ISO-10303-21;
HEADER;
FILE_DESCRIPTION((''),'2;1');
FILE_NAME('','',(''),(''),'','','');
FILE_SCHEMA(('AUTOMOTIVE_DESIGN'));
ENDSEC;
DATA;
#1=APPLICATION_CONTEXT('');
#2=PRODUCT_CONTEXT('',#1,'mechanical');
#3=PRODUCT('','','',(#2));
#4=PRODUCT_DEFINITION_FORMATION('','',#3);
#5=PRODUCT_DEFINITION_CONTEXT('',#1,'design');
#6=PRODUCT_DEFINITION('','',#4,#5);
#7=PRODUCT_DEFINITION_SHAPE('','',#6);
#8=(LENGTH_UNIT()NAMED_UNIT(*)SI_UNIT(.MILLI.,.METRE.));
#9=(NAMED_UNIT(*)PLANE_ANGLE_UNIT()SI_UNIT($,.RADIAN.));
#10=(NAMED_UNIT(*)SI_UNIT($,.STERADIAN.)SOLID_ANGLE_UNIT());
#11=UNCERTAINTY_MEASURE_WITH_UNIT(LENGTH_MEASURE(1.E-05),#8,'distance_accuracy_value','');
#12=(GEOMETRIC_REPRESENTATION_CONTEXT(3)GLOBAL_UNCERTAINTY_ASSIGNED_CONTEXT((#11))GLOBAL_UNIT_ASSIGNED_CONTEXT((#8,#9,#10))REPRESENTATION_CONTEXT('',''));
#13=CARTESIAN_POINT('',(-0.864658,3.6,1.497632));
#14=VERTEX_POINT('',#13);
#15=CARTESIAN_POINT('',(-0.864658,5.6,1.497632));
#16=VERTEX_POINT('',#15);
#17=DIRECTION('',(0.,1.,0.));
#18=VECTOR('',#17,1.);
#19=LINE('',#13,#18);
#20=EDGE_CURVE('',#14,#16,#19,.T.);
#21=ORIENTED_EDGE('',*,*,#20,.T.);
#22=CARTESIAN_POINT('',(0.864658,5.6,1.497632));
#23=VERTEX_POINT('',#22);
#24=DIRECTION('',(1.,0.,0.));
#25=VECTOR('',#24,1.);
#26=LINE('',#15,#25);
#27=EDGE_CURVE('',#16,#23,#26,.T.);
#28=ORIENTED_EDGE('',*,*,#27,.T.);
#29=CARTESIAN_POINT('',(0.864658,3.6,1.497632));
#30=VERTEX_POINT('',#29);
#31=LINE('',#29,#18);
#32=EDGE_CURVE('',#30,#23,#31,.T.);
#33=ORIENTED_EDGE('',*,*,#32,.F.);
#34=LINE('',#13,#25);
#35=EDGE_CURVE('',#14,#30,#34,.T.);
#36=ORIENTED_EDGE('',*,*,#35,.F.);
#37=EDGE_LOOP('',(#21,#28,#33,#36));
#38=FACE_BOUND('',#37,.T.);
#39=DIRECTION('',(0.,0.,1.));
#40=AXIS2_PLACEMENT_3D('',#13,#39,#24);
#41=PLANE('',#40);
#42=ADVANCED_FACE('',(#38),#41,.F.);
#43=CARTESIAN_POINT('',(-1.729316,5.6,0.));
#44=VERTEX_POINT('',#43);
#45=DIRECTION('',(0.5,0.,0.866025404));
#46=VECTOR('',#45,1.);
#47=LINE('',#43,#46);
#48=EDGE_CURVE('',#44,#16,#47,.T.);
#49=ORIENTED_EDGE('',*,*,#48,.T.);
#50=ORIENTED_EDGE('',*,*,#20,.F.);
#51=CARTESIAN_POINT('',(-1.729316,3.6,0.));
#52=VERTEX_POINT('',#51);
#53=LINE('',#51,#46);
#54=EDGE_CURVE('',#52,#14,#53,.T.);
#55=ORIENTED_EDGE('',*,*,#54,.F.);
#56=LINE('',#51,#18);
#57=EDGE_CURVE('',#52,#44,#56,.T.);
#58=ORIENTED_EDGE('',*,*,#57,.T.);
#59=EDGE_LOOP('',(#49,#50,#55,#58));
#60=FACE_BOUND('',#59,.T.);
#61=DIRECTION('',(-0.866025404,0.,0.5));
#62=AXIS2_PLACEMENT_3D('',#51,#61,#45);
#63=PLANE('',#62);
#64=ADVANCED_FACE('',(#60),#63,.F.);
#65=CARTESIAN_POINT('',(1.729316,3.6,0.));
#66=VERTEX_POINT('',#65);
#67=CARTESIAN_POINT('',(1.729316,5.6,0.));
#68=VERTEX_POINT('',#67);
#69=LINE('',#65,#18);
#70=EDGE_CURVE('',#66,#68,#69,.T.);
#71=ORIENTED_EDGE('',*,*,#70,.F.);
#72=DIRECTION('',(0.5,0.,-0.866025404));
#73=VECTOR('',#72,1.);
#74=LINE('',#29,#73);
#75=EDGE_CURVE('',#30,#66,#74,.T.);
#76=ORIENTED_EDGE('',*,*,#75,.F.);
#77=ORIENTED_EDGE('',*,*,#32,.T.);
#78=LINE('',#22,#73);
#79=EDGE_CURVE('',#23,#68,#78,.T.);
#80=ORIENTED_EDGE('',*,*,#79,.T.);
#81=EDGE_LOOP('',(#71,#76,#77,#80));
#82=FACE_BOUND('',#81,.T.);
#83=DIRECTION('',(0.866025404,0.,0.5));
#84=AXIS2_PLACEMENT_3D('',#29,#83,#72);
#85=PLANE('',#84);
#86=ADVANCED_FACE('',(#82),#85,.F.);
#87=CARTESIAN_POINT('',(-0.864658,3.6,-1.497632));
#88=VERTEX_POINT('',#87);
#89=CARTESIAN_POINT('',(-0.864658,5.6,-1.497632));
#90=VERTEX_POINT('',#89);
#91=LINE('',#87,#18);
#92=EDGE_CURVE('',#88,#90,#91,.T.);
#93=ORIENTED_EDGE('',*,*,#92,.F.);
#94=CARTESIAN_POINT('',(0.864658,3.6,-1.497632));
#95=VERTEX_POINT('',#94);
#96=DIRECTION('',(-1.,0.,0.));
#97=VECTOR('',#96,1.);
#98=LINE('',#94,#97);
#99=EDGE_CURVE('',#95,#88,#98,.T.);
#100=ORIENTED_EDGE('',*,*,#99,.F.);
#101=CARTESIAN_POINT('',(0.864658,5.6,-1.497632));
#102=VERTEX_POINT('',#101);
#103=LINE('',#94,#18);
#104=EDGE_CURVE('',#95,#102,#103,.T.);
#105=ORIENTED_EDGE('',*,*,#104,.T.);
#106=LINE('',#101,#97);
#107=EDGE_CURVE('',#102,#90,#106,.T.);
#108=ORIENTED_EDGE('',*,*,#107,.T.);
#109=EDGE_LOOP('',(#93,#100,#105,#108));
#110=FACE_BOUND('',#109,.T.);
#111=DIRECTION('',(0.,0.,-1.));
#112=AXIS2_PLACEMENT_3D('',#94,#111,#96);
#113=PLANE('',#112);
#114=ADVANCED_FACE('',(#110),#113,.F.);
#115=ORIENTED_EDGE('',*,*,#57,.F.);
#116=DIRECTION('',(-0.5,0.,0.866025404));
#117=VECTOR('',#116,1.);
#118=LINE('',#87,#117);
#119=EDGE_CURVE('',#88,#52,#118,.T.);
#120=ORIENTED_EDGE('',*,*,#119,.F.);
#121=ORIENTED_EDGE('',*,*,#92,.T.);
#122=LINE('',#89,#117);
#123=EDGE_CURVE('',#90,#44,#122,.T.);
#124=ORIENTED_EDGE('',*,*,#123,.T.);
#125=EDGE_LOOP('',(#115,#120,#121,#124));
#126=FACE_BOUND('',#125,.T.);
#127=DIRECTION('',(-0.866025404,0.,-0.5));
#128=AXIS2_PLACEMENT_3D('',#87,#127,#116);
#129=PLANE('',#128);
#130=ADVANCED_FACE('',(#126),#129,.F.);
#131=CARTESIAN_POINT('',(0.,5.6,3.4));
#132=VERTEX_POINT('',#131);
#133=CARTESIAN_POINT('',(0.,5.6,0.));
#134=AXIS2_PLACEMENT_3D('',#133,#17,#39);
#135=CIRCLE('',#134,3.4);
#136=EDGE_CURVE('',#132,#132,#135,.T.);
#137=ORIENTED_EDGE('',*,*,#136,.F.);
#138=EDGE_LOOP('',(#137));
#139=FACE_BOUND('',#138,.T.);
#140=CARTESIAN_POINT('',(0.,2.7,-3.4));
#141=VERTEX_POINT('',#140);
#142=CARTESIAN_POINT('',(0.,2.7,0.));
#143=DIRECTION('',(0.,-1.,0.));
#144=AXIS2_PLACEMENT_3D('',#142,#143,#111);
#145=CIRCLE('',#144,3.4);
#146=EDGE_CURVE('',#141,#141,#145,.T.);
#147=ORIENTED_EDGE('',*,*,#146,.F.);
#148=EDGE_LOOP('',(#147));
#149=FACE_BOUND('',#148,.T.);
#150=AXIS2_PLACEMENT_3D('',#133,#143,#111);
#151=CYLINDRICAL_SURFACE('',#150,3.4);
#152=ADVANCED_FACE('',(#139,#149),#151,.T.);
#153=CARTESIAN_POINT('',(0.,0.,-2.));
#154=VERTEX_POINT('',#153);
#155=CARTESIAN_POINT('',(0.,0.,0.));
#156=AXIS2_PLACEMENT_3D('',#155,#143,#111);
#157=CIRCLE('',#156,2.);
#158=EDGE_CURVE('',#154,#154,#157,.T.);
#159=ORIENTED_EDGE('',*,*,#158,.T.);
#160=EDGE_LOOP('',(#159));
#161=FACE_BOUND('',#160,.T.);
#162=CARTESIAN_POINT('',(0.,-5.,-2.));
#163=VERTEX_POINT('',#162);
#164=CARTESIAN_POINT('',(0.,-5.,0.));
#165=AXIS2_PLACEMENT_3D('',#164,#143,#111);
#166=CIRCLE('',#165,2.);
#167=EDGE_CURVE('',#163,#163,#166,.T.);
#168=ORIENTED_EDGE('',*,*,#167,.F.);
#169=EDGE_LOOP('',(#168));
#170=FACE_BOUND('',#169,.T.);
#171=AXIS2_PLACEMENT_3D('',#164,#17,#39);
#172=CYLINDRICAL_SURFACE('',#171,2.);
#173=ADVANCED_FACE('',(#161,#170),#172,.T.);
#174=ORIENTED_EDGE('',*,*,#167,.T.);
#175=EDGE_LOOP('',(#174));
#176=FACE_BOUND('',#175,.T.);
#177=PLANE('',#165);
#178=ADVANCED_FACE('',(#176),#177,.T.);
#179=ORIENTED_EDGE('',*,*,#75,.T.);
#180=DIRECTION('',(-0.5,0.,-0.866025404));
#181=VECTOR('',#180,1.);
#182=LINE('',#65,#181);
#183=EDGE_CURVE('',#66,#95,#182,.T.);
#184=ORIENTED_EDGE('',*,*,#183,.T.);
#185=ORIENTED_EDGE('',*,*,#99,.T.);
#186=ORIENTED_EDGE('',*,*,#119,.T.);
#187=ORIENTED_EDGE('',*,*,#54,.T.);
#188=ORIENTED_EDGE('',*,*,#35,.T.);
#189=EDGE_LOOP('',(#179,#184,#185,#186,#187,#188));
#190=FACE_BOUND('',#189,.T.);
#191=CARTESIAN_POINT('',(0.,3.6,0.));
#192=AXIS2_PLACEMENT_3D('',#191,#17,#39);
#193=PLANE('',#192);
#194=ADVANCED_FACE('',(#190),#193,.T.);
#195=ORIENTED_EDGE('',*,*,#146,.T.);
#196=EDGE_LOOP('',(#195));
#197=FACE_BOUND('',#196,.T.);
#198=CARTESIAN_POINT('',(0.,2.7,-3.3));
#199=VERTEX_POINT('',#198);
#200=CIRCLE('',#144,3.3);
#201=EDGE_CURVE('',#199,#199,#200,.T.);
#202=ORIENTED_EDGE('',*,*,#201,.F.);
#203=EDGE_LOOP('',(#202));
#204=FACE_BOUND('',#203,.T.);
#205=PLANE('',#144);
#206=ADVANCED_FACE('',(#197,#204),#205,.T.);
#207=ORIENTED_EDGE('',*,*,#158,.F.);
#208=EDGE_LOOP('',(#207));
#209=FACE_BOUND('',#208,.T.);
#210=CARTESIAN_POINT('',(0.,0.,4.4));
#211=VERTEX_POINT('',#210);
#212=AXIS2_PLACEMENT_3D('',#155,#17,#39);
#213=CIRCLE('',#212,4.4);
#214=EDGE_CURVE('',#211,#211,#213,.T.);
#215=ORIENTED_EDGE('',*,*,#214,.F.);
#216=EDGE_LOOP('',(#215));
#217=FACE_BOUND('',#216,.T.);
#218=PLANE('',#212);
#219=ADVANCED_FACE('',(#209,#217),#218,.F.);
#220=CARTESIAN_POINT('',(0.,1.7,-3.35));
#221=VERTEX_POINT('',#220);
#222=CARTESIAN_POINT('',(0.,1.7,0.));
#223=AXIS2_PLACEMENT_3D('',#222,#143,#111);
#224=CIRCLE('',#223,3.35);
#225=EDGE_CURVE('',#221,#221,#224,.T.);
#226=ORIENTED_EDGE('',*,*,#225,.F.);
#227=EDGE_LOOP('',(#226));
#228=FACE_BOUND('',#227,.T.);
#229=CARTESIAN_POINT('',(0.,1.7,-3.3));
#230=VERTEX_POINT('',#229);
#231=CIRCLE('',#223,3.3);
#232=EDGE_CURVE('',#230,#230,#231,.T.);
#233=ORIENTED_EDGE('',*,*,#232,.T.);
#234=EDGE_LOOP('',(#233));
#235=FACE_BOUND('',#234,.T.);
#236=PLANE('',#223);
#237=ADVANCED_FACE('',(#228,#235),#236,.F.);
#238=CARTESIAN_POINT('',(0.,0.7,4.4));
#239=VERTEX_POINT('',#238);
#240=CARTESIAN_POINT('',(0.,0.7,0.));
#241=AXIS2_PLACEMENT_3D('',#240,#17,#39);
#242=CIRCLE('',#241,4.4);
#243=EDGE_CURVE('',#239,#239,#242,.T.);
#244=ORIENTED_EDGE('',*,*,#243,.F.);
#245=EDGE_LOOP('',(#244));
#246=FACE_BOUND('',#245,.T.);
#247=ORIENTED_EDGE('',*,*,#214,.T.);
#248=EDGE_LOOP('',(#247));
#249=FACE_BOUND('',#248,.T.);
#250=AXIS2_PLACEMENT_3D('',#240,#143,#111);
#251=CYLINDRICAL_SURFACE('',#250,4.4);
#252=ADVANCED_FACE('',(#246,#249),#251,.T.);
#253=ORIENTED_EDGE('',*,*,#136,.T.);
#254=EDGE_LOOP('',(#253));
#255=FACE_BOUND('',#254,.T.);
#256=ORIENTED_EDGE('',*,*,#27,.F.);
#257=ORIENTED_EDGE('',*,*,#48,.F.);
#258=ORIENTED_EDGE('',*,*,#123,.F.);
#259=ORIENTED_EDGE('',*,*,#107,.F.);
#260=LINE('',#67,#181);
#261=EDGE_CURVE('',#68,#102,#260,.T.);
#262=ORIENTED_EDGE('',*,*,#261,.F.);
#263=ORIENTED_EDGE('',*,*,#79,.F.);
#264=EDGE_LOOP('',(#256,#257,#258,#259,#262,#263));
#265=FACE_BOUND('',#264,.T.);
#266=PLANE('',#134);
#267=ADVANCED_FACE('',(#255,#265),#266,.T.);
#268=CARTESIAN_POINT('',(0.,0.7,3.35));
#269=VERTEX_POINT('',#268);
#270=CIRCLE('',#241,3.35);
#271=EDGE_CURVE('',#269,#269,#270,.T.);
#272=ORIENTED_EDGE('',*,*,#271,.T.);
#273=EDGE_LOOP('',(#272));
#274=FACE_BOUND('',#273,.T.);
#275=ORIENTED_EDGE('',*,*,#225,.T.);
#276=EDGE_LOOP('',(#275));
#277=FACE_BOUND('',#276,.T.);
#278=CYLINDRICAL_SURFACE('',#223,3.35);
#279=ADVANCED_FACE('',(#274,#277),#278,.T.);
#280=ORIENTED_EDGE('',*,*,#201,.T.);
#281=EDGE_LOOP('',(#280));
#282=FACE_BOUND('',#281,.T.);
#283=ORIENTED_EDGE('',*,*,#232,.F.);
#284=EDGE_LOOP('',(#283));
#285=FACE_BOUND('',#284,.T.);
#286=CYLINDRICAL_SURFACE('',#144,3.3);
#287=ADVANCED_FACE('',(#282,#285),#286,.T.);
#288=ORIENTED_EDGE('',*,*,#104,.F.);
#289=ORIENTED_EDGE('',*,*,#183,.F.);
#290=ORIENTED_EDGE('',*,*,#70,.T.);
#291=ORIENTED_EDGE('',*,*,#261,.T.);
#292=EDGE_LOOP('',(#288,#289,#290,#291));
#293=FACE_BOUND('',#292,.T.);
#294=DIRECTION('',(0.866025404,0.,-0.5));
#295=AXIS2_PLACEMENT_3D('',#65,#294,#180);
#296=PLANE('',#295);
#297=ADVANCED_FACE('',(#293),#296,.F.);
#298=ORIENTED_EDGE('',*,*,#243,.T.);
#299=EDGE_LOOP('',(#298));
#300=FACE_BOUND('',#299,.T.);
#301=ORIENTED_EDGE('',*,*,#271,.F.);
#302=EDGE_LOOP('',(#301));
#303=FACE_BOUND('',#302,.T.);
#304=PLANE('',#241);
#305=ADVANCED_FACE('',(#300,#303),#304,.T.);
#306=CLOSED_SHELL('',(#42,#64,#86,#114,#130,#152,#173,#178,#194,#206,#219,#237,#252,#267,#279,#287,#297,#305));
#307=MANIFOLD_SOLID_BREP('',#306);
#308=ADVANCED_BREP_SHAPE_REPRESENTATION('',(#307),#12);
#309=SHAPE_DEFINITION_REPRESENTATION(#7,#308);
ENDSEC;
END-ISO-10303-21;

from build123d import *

# Parameters (mm, degrees)
SKETCH_1_R          = 4.4
EXTRUDE_1_DEPTH     = 0.7
SKETCH_2_R          = 3.35
EXTRUDE_2_DEPTH     = 1
SKETCH_3_R          = 3.4
EXTRUDE_3_DEPTH     = 3.9
SKETCH_4_R          = 10.526345736
SKETCH_4_R_2        = 3.3
CUT_EXTRUDE_1_DEPTH = 1
CUT_EXTRUDE_2_DEPTH = 2
SKETCH_6_R          = 2
EXTRUDE_4_DEPTH     = 5


with BuildPart() as part:
    # 草图1 → 凸台-拉伸1 (new body)
    with BuildSketch(Plane(origin=(0, 0, 0), x_dir=(1, 0, 0), z_dir=(0, 1, 0))):
        Circle(SKETCH_1_R)
    extrude(amount=EXTRUDE_1_DEPTH)

    # 草图2 → 凸台-拉伸2 (add)
    with BuildSketch(Plane(origin=(0, 0.7, 0), x_dir=(1, 0, 0), z_dir=(0, 1, 0))):
        Circle(SKETCH_2_R)
    extrude(amount=EXTRUDE_2_DEPTH)

    # 草图3 → 凸台-拉伸3 (add)
    with BuildSketch(Plane(origin=(0, 1.7, 0), x_dir=(1, 0, 0), z_dir=(0, 1, 0))):
        Circle(SKETCH_3_R)
    extrude(amount=EXTRUDE_3_DEPTH)

    # 草图4 → 切除-拉伸1 (cut)
    with BuildSketch(Plane.XZ.offset(-1.7)):
        Circle(SKETCH_4_R)
        Circle(SKETCH_4_R_2, mode=Mode.SUBTRACT)
    extrude(amount=-CUT_EXTRUDE_1_DEPTH, mode=Mode.SUBTRACT)

    # 草图5 → 切除-拉伸2 (cut)
    with BuildSketch(Plane(origin=(0, 5.6, 0), x_dir=(1, 0, 0), z_dir=(0, 1, 0))):
        Polygon((-1.729316128, 0), (-0.864658064, -1.497631698), (0.864658064, -1.497631698), (1.729316128, 0), (0.864658064, 1.497631698), (-0.864658064, 1.497631698), align=None)
    extrude(amount=-CUT_EXTRUDE_2_DEPTH, mode=Mode.SUBTRACT)

    # 草图6 → 凸台-拉伸4 (add)
    with BuildSketch(Plane.XZ):
        Circle(SKETCH_6_R)
    extrude(amount=EXTRUDE_4_DEPTH)


solid = part.part
